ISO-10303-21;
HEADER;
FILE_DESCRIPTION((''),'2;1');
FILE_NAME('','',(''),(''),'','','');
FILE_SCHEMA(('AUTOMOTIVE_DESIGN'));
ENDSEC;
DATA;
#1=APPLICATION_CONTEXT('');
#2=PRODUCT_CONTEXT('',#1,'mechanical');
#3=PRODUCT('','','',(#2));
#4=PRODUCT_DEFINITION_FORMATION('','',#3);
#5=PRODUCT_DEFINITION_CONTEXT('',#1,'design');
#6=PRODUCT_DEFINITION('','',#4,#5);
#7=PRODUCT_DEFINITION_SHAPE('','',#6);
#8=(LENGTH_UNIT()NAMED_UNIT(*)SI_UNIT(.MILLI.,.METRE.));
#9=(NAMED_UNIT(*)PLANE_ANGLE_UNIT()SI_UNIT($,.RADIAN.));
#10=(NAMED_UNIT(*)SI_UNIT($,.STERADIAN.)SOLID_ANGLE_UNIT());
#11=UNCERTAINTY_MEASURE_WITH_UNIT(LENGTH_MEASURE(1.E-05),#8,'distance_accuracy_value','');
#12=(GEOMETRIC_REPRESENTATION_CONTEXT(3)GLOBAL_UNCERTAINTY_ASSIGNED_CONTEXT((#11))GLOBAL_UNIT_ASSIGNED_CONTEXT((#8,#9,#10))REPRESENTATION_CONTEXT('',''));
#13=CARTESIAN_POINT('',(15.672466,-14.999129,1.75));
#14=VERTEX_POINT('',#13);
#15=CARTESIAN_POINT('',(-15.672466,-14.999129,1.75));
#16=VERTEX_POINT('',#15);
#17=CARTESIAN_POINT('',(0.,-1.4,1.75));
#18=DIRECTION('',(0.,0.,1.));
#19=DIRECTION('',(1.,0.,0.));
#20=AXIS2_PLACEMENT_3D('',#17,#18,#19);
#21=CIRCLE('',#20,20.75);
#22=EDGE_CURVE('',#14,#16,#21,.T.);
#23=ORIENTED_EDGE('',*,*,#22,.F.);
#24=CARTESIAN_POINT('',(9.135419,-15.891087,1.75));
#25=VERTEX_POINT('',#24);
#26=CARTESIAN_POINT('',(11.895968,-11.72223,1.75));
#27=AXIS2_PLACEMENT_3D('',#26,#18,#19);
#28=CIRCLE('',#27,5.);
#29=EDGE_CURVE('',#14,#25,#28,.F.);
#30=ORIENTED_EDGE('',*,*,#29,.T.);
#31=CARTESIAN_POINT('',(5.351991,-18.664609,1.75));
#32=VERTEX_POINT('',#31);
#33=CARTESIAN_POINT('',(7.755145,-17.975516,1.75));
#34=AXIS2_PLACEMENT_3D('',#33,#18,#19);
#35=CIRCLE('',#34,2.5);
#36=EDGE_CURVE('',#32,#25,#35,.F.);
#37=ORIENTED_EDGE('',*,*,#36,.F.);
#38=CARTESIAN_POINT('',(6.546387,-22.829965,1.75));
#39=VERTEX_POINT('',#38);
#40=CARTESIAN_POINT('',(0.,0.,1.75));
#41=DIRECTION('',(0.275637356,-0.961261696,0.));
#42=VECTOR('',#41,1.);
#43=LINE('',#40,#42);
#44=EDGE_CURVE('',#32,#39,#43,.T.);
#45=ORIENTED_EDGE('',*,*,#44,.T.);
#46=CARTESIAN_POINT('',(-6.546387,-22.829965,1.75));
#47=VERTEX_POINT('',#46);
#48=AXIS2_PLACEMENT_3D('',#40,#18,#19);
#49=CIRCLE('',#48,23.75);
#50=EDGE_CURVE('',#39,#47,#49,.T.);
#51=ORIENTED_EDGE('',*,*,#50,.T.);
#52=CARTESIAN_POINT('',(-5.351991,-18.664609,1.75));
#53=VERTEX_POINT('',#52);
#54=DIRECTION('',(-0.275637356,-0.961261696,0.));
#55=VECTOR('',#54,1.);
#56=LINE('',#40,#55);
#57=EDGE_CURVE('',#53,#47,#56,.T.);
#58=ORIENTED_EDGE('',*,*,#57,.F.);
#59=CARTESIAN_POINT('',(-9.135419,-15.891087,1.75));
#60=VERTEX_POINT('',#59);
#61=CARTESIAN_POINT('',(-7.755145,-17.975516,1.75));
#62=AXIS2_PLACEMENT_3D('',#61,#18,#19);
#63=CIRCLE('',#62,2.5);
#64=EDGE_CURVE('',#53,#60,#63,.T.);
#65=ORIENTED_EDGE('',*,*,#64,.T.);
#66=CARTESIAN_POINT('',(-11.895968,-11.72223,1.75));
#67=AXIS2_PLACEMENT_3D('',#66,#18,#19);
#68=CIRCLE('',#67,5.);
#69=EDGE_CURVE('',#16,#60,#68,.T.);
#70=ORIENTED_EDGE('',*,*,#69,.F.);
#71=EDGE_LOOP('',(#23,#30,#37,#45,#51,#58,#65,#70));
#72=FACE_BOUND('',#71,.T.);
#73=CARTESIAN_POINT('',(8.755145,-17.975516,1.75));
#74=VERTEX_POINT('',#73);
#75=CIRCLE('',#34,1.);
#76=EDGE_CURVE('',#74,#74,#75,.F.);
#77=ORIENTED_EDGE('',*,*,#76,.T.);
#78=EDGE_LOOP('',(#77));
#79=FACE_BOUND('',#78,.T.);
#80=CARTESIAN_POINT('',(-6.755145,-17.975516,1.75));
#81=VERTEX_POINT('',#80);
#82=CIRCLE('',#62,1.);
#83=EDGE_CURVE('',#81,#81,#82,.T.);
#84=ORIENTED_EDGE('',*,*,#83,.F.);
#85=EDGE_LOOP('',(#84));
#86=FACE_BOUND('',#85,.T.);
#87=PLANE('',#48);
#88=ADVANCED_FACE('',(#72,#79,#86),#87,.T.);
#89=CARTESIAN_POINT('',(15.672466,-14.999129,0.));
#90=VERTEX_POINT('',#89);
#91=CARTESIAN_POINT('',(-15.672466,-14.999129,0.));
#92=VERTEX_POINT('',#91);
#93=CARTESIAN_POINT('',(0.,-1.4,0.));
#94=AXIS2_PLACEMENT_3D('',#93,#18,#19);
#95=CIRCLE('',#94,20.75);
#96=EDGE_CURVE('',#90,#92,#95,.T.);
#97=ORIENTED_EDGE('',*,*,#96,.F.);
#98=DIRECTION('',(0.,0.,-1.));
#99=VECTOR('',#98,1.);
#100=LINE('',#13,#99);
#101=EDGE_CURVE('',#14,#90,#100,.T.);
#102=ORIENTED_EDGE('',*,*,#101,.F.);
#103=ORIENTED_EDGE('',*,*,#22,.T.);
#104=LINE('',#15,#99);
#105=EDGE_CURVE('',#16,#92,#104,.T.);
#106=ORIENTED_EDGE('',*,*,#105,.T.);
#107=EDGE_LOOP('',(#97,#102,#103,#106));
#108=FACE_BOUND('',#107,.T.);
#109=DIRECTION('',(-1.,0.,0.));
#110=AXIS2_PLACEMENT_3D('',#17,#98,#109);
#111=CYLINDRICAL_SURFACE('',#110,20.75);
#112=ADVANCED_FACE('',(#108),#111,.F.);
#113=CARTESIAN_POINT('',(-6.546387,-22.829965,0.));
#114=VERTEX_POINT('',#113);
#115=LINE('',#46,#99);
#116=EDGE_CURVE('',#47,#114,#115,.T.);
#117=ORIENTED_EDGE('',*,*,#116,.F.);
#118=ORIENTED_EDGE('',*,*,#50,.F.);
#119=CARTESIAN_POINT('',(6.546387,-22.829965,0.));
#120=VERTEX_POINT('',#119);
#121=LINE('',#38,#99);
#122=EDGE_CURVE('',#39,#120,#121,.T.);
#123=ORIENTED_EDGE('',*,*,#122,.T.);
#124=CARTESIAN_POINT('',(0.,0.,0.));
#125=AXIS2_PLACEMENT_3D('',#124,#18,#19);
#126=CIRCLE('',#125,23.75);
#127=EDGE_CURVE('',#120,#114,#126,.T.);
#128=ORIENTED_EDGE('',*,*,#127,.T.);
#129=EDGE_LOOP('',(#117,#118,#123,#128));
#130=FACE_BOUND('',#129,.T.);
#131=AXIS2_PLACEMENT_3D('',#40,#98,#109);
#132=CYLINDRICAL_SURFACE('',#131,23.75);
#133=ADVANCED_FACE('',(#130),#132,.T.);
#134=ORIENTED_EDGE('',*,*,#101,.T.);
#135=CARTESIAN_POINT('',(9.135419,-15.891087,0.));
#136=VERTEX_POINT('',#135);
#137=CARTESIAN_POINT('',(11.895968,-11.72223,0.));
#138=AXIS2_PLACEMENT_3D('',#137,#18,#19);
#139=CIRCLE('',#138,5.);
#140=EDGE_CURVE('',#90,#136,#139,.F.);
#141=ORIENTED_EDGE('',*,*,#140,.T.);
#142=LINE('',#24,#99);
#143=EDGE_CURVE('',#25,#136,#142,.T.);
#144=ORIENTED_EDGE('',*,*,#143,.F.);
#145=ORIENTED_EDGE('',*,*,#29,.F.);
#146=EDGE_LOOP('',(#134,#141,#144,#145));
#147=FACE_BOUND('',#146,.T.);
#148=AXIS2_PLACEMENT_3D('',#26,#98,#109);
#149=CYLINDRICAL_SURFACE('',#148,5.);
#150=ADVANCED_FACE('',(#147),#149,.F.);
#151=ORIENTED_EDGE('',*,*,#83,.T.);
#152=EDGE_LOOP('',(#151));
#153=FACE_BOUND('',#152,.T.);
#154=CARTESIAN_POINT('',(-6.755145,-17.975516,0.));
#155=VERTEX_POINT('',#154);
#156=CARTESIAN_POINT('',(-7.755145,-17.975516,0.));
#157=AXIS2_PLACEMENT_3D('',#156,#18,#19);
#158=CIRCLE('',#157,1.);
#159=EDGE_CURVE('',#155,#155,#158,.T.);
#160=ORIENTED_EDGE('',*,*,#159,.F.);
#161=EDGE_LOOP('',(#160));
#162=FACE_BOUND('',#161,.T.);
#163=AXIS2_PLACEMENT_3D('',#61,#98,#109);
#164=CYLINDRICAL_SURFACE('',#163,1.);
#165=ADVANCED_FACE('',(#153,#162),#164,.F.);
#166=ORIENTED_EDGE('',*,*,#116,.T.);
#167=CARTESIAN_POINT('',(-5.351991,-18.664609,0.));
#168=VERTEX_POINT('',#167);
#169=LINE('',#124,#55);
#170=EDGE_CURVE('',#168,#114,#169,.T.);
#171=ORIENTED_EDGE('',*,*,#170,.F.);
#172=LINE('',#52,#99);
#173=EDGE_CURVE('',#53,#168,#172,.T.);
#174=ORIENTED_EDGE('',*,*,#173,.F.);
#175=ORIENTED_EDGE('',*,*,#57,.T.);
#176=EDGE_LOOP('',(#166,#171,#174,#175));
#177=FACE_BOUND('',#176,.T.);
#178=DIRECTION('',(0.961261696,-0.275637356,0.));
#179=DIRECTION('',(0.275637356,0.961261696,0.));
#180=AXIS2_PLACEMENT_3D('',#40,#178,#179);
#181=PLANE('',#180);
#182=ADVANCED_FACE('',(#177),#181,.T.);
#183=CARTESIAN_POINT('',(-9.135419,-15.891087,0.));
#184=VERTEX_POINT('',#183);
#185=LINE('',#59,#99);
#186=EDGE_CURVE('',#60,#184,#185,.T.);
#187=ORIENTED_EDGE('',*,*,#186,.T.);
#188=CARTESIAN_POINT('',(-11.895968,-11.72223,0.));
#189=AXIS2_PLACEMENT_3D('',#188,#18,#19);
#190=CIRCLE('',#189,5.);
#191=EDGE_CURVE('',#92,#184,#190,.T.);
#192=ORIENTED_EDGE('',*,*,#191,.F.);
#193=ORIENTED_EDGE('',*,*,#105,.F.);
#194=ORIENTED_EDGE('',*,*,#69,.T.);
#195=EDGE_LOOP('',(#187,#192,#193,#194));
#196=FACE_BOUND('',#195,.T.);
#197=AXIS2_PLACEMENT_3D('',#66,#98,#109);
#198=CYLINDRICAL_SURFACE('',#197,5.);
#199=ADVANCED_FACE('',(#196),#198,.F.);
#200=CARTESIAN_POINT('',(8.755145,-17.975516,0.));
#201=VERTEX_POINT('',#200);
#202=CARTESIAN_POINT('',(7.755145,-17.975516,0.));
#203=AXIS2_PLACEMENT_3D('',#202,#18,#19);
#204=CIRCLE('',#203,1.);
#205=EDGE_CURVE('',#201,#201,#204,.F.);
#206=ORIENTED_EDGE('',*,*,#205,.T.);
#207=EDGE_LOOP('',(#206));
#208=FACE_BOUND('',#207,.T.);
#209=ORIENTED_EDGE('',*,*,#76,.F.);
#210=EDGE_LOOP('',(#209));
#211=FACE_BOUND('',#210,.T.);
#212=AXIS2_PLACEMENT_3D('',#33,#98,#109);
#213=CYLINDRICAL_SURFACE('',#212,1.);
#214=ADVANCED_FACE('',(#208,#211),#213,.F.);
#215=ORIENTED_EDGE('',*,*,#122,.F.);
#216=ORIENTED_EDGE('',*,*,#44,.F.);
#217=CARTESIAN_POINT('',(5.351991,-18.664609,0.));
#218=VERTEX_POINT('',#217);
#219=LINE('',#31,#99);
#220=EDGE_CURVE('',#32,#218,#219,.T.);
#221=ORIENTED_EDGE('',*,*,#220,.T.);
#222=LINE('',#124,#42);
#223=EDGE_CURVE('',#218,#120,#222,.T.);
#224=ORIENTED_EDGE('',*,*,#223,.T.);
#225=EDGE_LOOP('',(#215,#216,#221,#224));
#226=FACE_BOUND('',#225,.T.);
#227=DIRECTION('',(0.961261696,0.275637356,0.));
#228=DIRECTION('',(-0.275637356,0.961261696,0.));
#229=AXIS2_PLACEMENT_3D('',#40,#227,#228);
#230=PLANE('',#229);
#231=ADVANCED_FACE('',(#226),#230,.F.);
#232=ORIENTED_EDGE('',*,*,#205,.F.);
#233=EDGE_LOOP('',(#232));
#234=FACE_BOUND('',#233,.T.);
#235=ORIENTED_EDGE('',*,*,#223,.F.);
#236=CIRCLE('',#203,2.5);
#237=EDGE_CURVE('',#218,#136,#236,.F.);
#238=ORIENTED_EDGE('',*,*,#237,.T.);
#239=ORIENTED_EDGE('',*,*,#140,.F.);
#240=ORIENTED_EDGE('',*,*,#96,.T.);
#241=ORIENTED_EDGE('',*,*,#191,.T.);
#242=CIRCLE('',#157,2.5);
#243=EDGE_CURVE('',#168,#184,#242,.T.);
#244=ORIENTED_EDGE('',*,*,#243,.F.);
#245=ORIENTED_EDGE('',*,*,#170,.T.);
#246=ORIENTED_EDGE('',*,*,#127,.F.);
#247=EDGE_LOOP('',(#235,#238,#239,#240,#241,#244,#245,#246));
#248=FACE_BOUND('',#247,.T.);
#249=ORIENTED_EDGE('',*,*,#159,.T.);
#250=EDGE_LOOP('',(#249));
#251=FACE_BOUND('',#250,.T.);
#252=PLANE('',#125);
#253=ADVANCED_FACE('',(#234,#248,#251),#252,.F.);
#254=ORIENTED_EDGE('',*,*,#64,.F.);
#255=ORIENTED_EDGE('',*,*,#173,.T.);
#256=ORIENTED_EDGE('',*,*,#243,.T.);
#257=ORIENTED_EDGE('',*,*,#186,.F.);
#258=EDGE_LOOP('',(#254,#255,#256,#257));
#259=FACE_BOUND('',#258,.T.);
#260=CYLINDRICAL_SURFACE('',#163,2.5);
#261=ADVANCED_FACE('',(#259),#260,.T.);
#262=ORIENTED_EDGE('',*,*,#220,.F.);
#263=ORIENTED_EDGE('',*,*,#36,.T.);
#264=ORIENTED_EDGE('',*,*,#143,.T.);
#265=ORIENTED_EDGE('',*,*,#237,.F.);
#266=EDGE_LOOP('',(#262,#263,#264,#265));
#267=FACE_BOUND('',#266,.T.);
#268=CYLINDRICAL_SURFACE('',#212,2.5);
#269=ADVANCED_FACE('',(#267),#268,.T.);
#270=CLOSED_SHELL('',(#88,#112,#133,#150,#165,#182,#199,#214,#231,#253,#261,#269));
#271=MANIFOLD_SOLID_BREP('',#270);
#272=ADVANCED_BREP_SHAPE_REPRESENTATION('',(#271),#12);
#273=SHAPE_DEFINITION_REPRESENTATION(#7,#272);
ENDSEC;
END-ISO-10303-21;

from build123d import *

# Parameters (mm, degrees)
SKETCH2_R           = 1
BOSS_EXTRUDE1_DEPTH = 1.75


with BuildPart() as part:
    # Sketch2 → Boss-Extrude1 (new body)
    with BuildSketch(Plane.XY):
        with BuildLine():
            ThreePointArc((-5.351990622, -18.664609398), (-6.277079647, -15.959251249), (-9.135419395, -15.891087439))
            ThreePointArc((-9.135419395, -15.891087439), (-12.571938491, -16.676326013), (-15.672466243, -14.999128717))
            ThreePointArc((-15.672466243, -14.999128717), (3.5e-08, 19.35), (15.672466197, -14.99912877))
            ThreePointArc((15.672466197, -14.99912877), (12.571938449, -16.676326019), (9.135419383, -15.891087431))
            ThreePointArc((9.135419383, -15.891087431), (6.277079669, -15.959251233), (5.351990603, -18.664609332))
            Line((5.351990603, -18.664609332), (6.546387201, -22.829965279))
            ThreePointArc((6.546387201, -22.829965279), (0, 23.75), (-6.546387201, -22.829965279))
            Line((-6.546387201, -22.829965279), (-5.351990622, -18.664609398))
        make_face()
        with Locations((-7.755144841, -17.975515935)):
            Circle(SKETCH2_R, mode=Mode.SUBTRACT)
        with Locations((7.755144841, -17.975515935)):
            Circle(SKETCH2_R, mode=Mode.SUBTRACT)
    extrude(amount=BOSS_EXTRUDE1_DEPTH)


solid = part.part
